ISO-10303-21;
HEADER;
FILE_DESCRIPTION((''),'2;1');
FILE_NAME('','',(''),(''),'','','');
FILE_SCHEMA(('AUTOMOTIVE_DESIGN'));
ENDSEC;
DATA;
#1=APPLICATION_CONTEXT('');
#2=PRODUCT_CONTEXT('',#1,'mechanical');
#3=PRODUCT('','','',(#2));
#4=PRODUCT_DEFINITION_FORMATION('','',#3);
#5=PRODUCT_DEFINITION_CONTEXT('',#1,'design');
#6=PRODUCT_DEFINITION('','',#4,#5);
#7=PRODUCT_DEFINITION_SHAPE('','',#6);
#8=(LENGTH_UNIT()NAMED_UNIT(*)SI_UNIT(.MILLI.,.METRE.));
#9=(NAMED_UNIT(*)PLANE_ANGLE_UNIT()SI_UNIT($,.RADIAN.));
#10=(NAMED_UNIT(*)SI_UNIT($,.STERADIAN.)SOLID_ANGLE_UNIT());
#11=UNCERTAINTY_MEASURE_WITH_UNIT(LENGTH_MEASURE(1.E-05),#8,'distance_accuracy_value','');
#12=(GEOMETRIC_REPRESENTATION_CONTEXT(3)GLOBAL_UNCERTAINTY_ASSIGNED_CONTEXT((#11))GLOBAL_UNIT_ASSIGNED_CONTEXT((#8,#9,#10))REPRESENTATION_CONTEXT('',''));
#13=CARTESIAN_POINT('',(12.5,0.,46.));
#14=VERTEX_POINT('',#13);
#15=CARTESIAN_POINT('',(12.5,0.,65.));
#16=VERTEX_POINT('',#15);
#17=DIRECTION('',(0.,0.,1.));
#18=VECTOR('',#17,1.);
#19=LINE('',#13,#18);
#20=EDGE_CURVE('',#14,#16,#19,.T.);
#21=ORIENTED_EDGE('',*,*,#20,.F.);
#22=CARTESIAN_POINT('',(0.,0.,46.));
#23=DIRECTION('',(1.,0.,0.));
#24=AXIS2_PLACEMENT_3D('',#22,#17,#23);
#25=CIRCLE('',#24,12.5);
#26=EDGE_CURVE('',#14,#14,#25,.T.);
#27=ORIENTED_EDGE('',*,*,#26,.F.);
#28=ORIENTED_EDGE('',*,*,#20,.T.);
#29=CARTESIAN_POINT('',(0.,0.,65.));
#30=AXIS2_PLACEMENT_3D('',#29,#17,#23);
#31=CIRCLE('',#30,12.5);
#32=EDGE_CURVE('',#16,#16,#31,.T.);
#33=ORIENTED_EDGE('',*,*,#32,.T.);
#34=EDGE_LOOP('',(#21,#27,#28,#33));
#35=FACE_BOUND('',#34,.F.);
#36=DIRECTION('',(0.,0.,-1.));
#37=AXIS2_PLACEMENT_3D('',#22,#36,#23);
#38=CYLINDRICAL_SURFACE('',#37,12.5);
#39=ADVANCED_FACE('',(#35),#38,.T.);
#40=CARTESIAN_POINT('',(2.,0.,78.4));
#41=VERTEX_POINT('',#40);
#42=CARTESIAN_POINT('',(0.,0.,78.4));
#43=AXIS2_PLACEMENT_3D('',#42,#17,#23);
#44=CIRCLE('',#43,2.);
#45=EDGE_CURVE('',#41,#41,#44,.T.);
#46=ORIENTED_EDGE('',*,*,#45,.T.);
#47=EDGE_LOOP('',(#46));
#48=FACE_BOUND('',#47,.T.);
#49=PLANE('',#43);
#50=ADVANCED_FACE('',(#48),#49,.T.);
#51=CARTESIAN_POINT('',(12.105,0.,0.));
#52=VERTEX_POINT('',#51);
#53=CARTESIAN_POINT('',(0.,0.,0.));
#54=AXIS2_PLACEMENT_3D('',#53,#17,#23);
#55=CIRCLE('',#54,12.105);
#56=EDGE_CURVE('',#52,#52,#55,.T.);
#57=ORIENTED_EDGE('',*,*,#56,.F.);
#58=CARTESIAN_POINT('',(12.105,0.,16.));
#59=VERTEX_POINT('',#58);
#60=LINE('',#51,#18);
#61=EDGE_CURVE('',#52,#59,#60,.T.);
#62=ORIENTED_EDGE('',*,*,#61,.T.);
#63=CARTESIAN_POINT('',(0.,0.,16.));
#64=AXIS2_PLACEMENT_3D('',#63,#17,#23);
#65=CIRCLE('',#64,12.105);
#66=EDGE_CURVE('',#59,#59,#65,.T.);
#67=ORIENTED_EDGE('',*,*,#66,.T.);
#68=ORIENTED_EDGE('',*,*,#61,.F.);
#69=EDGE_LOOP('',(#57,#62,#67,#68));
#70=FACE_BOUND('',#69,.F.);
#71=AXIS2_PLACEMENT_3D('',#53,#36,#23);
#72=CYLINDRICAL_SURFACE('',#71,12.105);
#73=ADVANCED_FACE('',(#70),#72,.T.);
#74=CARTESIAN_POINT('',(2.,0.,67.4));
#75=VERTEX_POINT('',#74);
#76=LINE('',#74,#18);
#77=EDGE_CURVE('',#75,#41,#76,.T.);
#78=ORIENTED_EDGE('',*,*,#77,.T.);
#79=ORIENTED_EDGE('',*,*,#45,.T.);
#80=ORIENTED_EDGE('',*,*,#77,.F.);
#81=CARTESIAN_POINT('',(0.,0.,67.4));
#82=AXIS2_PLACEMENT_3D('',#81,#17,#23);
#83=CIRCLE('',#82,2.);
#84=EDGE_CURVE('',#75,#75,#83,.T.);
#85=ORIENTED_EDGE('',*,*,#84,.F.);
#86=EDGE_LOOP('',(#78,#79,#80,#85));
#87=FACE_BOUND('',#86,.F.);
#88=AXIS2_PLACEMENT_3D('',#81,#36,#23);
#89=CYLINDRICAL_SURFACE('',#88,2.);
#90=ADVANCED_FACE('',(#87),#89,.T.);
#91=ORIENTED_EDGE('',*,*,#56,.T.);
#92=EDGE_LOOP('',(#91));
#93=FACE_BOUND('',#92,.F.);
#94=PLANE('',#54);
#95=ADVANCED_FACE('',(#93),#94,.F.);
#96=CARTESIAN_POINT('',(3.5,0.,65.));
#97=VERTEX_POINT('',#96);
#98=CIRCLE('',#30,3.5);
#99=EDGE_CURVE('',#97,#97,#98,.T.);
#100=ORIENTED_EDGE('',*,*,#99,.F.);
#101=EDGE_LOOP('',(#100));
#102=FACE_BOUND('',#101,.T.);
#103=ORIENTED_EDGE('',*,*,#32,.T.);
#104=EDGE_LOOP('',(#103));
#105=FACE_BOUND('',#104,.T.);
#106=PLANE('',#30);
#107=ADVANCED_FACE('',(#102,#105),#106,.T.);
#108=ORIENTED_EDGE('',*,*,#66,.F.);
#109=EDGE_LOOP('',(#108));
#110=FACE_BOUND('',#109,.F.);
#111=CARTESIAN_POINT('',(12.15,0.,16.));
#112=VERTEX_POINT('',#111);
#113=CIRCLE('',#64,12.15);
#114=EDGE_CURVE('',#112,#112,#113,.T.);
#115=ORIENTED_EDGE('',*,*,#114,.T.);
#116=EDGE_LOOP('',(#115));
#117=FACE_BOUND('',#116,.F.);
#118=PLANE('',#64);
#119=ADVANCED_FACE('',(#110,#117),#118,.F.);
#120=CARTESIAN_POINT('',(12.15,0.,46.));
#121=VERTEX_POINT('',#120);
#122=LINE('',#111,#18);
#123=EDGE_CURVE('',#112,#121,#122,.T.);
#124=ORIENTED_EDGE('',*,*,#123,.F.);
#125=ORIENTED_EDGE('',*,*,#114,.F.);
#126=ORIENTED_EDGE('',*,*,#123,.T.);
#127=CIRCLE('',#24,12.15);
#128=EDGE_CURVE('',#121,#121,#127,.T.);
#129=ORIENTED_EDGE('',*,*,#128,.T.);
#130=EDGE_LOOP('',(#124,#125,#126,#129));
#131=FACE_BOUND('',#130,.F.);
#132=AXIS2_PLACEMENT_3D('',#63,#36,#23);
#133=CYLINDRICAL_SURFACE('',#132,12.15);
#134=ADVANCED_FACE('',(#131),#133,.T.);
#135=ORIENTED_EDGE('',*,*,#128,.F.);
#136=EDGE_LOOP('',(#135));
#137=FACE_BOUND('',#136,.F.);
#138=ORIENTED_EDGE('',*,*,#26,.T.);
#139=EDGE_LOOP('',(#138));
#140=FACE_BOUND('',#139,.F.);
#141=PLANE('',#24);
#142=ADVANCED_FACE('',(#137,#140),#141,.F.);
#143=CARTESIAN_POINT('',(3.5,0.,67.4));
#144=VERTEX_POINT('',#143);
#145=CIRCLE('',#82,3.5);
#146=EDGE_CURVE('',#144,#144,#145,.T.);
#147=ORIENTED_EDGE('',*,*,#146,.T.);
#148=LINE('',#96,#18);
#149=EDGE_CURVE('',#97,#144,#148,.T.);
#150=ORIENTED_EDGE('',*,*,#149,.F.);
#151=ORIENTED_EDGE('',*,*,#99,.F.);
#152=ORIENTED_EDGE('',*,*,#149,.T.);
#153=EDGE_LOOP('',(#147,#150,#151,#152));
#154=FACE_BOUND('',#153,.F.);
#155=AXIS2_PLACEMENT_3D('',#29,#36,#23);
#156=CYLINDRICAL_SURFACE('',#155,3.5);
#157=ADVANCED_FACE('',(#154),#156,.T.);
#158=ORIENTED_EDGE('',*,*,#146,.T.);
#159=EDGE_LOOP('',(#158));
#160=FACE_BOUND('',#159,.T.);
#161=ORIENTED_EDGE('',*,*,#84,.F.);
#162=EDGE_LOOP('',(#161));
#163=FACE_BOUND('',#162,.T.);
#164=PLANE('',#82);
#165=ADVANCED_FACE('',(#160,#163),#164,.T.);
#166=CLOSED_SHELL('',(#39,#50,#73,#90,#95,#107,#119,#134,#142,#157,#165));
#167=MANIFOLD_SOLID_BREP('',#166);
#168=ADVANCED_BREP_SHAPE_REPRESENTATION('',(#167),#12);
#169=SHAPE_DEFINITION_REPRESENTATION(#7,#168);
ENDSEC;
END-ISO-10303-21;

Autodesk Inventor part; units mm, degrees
ref_plane "YZ Plane" through (0, 0, 0) normal (1, 0, 0) x (0, 1, 0)
ref_plane "XZ Plane" through (0, 0, 0) normal (0, 1, 0) x (-1, 0, 0)
ref_plane "XY Plane" through (0, 0, 0) normal (0, 0, 1) x (1, 0, 0)
sketch "Sketch1" plane through (0, 0, 0) normal (0, 0, 1) x (1, 0, 0)
  circle A0 centre (0, 0) radius 12.105
  dimension "d0" = 24.21
extrude "Extrusion1" add sketch "Sketch1" along normal blind 16
sketch "Sketch2" plane through (0, 0, 16) normal (0, 0, 1) x (1, 0, 0)
  circle A0 centre (0, 0) radius 12.15
  dimension "d14" = 24.3
extrude "Extrusion2" add sketch "Sketch2" along normal blind 30
sketch "Sketch3" plane through (0, 0, 46) normal (0, 0, 1) x (1, 0, 0)
  circle A0 centre (0, 0) radius 12.5
  dimension "d5" = 25
extrude "Extrusion3" add sketch "Sketch3" along normal blind 19
sketch "Sketch4" plane through (0, 0, 65) normal (0, 0, 1) x (1, 0, 0)
  circle A0 centre (0, 0) radius 3.5
  dimension "d8" = 7
extrude "Extrusion4" add sketch "Sketch4" along normal blind 2.4
sketch "Sketch5" plane through (0, 0, 67.4) normal (0, 0, 1) x (1, 0, 0)
  circle A0 centre (0, 0) radius 2
  dimension "d11" = 4
extrude "Extrusion5" add sketch "Sketch5" along normal blind 11
properties part number "gearmotor" material "ABS Plastic"
